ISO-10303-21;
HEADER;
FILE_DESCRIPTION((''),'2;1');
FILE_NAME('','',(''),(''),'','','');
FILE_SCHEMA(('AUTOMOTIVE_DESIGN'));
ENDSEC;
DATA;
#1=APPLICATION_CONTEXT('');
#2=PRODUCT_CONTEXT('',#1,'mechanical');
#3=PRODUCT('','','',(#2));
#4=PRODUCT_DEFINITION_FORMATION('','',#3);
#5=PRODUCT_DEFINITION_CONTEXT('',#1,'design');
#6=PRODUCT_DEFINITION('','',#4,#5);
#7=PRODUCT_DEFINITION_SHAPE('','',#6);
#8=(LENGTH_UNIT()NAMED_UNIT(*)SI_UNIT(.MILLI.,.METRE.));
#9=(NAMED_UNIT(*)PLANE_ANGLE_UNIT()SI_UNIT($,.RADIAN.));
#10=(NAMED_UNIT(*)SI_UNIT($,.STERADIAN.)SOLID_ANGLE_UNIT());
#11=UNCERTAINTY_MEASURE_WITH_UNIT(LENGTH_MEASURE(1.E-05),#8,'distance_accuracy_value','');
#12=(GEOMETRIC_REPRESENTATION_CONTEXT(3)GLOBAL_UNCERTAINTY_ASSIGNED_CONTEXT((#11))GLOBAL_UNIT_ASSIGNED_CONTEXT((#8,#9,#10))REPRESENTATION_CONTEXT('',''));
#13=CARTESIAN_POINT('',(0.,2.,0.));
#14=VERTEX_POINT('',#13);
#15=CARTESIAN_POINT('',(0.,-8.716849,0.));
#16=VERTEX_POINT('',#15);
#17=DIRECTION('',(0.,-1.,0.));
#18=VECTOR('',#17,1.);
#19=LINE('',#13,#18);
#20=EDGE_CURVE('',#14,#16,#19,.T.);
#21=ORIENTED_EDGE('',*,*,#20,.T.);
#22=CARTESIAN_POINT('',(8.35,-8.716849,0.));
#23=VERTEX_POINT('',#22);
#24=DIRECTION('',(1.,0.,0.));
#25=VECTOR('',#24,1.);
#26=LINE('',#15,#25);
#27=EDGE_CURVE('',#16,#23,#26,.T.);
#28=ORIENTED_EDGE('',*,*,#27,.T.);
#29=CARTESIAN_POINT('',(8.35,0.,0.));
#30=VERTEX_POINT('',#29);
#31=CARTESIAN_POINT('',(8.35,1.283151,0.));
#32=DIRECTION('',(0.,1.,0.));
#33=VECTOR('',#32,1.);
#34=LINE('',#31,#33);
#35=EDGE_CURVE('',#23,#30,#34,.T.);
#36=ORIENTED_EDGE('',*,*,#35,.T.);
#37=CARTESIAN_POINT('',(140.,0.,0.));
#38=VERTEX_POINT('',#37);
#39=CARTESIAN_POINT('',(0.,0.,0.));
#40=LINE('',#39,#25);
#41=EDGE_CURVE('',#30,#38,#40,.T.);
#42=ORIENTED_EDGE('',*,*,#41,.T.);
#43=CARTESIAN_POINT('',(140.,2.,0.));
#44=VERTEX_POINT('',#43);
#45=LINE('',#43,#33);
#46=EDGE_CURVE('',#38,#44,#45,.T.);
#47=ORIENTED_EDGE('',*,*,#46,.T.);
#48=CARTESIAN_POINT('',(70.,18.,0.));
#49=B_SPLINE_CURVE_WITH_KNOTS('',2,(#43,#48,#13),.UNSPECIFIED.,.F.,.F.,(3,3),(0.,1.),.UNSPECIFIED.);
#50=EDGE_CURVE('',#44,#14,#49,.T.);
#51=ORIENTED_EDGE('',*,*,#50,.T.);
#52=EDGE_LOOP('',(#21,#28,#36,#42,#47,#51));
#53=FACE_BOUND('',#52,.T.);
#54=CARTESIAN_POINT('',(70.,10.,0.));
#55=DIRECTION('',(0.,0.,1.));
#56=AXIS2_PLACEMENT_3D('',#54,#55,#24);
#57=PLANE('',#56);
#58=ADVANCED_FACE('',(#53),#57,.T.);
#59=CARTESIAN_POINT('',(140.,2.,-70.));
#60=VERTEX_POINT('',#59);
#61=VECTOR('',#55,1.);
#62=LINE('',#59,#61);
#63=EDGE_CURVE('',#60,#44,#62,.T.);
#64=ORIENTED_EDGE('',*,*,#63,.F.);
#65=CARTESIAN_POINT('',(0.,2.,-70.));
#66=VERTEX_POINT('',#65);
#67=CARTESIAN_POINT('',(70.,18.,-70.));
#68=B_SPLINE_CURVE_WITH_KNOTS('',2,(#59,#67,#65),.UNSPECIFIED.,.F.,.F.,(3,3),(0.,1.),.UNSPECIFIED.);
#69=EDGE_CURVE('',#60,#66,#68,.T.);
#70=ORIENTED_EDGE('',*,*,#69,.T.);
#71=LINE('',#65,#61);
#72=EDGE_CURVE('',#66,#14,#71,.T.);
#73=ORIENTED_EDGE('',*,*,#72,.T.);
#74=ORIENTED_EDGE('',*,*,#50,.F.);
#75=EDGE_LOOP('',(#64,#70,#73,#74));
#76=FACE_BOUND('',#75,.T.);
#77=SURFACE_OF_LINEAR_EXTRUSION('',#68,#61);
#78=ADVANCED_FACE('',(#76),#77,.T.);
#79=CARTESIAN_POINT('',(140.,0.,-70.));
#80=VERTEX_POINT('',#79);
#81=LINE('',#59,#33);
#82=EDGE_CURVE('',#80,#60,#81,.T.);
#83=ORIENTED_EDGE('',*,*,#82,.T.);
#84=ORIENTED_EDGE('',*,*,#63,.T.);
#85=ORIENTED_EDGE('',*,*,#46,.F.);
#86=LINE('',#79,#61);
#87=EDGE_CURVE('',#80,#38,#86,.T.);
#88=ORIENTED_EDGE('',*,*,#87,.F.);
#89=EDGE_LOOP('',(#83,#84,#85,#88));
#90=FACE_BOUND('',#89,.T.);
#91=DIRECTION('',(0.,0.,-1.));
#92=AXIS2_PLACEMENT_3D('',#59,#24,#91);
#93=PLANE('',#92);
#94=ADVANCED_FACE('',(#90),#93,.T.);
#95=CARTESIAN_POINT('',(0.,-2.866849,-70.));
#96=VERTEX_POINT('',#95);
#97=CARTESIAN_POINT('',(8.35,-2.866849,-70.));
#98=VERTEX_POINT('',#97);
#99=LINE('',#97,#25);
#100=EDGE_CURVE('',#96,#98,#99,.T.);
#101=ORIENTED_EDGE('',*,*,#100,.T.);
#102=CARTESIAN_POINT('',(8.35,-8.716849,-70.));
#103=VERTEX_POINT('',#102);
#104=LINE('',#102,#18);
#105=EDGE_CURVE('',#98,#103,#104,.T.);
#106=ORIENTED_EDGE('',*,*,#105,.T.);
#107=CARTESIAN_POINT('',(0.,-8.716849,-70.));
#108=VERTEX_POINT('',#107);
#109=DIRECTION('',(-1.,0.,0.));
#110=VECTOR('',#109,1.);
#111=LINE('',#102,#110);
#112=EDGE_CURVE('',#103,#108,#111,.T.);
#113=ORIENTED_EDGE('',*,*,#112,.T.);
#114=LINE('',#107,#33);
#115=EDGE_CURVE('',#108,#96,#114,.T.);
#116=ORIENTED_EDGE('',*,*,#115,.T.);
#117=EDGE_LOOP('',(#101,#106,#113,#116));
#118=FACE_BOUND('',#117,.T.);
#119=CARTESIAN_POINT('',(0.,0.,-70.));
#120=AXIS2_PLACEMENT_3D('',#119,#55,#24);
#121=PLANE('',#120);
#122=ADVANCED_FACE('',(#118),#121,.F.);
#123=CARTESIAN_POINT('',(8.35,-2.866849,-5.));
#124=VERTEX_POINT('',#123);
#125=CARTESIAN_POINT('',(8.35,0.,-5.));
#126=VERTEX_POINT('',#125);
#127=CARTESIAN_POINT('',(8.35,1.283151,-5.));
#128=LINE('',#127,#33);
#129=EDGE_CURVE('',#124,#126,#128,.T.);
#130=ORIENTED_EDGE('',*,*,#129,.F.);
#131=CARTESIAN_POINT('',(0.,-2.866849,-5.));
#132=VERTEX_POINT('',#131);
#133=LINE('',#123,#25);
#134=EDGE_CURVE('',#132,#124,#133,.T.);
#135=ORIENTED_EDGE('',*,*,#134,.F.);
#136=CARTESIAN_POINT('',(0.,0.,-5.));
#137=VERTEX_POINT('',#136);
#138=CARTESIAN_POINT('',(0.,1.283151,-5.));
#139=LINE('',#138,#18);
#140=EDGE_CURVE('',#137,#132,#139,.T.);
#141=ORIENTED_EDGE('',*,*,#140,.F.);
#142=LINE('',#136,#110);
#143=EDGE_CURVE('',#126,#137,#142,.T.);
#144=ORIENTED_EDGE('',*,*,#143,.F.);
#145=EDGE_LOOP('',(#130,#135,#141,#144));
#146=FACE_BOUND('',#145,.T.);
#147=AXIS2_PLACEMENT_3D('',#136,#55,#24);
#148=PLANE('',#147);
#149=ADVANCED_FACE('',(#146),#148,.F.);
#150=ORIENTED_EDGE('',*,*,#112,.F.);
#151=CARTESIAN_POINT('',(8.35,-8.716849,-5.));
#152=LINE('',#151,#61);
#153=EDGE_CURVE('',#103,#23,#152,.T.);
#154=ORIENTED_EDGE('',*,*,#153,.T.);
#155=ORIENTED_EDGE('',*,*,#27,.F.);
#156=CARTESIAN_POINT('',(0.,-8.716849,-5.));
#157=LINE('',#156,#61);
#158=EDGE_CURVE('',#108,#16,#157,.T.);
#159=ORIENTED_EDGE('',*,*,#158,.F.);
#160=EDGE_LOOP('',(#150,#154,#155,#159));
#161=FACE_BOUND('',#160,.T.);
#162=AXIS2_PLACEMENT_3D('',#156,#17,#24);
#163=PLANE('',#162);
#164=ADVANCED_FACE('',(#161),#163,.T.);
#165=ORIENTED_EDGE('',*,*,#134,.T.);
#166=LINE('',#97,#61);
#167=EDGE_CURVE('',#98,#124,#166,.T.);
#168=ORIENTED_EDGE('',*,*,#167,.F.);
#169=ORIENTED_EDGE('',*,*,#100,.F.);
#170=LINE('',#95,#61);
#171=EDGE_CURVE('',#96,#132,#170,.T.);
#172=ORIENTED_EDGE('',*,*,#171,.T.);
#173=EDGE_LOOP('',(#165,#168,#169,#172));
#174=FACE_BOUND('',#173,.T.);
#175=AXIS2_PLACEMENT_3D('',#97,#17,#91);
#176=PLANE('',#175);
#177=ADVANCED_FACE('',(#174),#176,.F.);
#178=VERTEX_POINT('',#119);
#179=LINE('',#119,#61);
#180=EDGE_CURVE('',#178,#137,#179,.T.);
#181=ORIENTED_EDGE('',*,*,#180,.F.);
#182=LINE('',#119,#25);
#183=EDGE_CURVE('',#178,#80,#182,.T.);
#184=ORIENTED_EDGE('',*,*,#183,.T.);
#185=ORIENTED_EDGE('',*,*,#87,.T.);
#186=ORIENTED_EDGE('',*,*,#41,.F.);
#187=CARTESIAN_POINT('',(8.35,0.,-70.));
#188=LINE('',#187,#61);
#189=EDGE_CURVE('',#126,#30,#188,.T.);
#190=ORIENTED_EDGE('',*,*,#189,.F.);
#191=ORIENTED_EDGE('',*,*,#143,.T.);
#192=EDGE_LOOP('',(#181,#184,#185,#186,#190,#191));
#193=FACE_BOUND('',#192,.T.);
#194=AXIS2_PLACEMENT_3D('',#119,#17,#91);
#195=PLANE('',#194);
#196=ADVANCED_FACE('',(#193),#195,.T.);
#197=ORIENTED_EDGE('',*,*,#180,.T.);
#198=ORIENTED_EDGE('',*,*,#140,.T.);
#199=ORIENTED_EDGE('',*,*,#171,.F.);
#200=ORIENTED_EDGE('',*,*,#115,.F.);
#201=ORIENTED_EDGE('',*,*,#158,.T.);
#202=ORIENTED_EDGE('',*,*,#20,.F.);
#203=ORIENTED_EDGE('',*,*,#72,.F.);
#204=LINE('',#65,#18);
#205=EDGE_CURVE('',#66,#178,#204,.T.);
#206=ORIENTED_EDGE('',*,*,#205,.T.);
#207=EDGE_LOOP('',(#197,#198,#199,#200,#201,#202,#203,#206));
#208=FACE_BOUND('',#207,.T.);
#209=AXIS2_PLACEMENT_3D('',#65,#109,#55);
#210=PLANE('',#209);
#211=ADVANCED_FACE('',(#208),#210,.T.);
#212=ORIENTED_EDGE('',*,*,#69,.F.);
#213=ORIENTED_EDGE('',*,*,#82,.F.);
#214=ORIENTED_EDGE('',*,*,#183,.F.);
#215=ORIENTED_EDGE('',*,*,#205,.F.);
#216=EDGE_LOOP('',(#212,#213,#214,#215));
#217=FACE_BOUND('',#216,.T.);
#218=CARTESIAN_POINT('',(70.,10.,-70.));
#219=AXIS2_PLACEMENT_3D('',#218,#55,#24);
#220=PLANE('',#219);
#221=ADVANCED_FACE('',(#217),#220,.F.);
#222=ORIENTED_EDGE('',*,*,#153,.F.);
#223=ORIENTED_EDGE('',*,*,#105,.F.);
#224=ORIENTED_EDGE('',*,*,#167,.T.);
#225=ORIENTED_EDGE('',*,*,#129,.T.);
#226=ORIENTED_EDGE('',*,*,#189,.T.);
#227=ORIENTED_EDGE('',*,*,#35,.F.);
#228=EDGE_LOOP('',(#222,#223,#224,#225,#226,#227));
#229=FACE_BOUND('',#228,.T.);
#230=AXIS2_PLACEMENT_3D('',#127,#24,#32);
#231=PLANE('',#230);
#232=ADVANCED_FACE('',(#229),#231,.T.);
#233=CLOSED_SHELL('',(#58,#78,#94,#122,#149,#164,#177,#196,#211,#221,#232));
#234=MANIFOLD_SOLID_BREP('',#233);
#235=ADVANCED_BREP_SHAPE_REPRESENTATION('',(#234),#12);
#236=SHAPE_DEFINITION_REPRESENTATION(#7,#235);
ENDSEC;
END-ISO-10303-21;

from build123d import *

# Parameters (mm, degrees)
SKETCH2_W           = 140
SKETCH2_H           = 70
BOSS_EXTRUDE1_DEPTH = 10
BOSS_EXTRUDE2_DEPTH = 70
SKETCH4_W           = 8.35
SKETCH4_H           = 10
BOSS_EXTRUDE3_DEPTH = 5
SKETCH5_W           = 8.35
SKETCH5_H           = 5.85
BOSS_EXTRUDE4_DEPTH = 65


with BuildPart() as part:
    # Sketch2 → Boss-Extrude1 (new body)
    with BuildSketch(Plane(origin=(0, 0, 0), x_dir=(1, 0, 0), z_dir=(0, 1, 0))):
        with Locations((70, 35)):
            Rectangle(SKETCH2_W, SKETCH2_H)
    extrude(amount=BOSS_EXTRUDE1_DEPTH)


with BuildPart() as body_2:
    # Sketch3 → Boss-Extrude2 (new body)
    with BuildSketch(Plane.XY):
        with BuildLine():
            Line((0, 0), (140, 0))
            Line((140, 0), (140, 2))
            add(Edge.make_bspline(
                [(0, 2), (70, 18), (140, 2)],
                knots=[0, 0, 0, 1, 1, 1], degree=2))
            Line((0, 2), (0, 0))
        make_face()
    extrude(amount=-BOSS_EXTRUDE2_DEPTH)

    # Combine1: intersect part
    add(part.part, mode=Mode.INTERSECT)

    # Sketch4 → Boss-Extrude3 (add)
    with BuildSketch(Plane.XY):
        with Locations((4.175, -3.716849325)):
            Rectangle(SKETCH4_W, SKETCH4_H)
    extrude(amount=-BOSS_EXTRUDE3_DEPTH)

    # Sketch5 → Boss-Extrude4 (add)
    with BuildSketch(Plane(origin=(0, 0, -5), x_dir=(-1, 0, 0), z_dir=(0, 0, -1))):
        with Locations((-4.175, -5.791849325)):
            Rectangle(SKETCH5_W, SKETCH5_H)
    extrude(amount=BOSS_EXTRUDE4_DEPTH)


solid = body_2.part
